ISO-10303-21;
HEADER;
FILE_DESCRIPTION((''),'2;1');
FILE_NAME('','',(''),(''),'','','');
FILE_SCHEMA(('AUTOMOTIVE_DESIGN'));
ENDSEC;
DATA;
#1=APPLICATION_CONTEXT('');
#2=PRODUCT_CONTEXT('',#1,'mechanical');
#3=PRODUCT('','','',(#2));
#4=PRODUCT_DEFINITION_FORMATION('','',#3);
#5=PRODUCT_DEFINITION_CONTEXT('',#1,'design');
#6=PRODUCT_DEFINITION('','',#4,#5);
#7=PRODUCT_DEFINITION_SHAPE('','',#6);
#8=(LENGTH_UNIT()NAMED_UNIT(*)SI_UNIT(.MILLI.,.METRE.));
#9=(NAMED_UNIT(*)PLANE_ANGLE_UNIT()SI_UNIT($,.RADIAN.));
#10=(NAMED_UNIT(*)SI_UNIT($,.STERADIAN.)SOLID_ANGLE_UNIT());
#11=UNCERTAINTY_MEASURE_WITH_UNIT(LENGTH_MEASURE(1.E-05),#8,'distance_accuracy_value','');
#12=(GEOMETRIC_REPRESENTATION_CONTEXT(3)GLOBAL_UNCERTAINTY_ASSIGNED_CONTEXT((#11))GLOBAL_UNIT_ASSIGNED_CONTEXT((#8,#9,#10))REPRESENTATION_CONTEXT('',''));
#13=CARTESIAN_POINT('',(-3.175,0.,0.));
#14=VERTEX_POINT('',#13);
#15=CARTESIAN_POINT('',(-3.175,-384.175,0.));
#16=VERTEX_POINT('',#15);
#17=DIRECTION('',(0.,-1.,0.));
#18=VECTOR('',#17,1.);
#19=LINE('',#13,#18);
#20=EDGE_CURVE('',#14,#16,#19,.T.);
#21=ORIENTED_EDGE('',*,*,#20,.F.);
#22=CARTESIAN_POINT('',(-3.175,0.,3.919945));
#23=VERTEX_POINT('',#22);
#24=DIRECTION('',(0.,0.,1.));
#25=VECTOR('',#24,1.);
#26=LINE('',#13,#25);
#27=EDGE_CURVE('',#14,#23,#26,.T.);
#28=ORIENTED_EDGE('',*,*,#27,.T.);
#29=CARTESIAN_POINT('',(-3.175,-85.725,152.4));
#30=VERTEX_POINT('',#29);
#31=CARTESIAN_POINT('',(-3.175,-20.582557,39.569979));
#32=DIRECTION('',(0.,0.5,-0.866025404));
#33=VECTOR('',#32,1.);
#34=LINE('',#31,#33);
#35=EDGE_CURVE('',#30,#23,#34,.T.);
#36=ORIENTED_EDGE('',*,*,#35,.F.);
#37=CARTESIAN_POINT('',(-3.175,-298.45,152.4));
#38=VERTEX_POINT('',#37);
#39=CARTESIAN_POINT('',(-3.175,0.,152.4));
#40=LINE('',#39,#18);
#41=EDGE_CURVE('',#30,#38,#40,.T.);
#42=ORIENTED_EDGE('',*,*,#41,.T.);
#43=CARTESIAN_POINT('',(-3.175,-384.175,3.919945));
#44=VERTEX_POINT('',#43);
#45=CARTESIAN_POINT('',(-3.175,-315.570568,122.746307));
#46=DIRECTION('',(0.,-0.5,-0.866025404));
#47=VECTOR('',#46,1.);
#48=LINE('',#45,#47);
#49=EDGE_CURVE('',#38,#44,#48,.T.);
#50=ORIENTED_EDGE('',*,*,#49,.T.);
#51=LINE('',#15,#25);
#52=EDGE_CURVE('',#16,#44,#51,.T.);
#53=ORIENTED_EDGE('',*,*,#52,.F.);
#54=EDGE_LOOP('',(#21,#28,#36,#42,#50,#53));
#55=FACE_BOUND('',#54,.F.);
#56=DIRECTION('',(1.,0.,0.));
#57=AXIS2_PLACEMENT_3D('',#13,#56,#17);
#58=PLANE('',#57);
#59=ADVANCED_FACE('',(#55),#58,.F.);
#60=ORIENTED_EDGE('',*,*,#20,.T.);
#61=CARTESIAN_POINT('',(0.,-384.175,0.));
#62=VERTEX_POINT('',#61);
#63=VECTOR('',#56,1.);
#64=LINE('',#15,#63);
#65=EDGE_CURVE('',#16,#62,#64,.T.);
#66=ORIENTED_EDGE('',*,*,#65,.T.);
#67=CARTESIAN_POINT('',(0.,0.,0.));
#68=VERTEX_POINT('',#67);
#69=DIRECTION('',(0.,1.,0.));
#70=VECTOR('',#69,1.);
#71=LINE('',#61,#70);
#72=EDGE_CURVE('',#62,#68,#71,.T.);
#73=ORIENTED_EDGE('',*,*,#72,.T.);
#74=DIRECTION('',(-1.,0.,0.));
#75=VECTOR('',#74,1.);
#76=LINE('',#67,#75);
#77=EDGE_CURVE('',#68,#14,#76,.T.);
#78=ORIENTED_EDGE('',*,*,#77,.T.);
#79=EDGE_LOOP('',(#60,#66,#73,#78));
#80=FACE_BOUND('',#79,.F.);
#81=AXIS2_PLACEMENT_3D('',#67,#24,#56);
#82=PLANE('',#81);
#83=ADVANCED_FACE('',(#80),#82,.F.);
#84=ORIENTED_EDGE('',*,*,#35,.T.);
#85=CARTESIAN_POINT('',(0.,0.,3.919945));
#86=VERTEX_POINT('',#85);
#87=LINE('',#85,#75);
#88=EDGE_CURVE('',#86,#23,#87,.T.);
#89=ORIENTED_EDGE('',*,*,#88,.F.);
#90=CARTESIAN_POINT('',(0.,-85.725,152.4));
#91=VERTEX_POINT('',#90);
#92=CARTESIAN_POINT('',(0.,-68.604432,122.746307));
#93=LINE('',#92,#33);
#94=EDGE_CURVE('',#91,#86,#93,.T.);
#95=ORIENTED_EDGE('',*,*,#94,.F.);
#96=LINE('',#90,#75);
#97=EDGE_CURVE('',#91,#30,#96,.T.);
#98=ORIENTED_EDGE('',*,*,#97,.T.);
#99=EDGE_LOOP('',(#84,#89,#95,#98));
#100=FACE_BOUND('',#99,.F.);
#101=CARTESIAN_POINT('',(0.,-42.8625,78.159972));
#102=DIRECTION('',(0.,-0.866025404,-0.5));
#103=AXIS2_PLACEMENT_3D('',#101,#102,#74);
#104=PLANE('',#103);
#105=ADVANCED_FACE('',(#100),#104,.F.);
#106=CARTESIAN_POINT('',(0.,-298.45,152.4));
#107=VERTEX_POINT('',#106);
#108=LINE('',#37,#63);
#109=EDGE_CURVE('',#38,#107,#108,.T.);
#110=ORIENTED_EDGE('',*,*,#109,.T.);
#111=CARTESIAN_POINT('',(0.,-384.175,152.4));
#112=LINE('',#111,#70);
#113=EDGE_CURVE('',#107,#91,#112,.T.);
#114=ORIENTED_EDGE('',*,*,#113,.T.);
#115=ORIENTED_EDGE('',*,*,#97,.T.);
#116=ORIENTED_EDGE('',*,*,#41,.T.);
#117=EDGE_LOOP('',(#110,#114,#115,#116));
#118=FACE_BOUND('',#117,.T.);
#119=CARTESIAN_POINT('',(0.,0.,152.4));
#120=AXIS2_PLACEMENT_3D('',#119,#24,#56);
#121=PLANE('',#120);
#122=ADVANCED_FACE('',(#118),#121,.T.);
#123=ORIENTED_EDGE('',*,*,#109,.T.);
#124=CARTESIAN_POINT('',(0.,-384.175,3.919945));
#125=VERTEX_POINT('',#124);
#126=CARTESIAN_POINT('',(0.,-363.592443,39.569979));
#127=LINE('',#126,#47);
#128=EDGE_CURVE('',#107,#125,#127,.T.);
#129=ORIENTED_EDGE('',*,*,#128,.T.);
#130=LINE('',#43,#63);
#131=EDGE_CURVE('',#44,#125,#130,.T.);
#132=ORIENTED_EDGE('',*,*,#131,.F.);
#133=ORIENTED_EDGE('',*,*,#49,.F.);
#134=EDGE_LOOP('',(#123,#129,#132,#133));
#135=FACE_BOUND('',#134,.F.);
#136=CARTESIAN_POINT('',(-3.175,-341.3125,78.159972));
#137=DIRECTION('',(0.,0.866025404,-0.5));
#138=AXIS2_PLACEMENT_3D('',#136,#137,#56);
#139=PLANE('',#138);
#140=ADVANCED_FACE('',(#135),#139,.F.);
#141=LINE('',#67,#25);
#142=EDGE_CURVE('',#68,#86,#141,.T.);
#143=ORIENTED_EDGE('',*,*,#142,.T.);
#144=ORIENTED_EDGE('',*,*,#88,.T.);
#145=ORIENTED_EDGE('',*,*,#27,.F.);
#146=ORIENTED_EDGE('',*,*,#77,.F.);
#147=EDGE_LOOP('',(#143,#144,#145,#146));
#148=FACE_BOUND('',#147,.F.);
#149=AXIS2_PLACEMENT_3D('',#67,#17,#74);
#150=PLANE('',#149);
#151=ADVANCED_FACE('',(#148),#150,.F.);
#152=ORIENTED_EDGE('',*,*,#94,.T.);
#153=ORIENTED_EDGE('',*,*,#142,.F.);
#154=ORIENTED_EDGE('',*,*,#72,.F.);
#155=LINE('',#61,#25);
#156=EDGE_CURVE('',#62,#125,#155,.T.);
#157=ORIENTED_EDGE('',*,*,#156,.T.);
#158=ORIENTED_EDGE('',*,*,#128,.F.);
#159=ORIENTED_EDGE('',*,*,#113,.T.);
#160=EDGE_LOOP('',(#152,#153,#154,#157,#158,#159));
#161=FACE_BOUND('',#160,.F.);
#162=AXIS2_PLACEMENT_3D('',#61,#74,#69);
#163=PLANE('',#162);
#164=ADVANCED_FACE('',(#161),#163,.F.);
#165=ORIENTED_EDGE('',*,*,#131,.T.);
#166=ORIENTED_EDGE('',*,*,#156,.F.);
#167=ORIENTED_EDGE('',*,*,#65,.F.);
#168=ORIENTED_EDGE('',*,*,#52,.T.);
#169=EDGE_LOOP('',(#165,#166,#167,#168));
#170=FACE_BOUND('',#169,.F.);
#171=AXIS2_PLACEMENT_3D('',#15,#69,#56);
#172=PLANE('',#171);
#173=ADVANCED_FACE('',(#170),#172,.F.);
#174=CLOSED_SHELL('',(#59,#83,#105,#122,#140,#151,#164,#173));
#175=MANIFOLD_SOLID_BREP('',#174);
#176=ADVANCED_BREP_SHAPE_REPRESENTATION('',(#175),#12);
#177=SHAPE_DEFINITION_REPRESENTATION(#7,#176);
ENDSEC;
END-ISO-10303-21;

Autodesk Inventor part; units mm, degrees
ref_plane "YZ Plane" through (0, 0, 0) normal (1, 0, 0) x (0, 1, 0)
ref_plane "XZ Plane" through (0, 0, 0) normal (0, 1, 0) x (-1, 0, 0)
ref_plane "XY Plane" through (0, 0, 0) normal (0, 0, 1) x (1, 0, 0)
sketch "Sketch1" plane through (0, 0, 0) normal (0, 0, 1) x (1, 0, 0)
  line L0 (0, 0) -> (-3.175, 0)
  line L1 (-3.175, 0) -> (-3.175, -384.175)
  line L2 (-3.175, -384.175) -> (0, -384.175)
  line L3 (0, -384.175) -> (0, 0)
  dimension "d0" = 384.175
  dimension "d1" = 3.175
extrude "Extrusion1" add sketch "Sketch1" along normal blind 152.4
chamfer "Chamfer1" distance 85.725 angle 60 1 edges at (-1.5875, -384.175, 152.4) measured on face at (-1.0583, -256.1167, 152.4)
chamfer "Chamfer2" distance 85.725 angle 60 1 edges at (-1.5875, 0, 152.4) measured on face at (-1.0583, -198.9667, 152.4)
